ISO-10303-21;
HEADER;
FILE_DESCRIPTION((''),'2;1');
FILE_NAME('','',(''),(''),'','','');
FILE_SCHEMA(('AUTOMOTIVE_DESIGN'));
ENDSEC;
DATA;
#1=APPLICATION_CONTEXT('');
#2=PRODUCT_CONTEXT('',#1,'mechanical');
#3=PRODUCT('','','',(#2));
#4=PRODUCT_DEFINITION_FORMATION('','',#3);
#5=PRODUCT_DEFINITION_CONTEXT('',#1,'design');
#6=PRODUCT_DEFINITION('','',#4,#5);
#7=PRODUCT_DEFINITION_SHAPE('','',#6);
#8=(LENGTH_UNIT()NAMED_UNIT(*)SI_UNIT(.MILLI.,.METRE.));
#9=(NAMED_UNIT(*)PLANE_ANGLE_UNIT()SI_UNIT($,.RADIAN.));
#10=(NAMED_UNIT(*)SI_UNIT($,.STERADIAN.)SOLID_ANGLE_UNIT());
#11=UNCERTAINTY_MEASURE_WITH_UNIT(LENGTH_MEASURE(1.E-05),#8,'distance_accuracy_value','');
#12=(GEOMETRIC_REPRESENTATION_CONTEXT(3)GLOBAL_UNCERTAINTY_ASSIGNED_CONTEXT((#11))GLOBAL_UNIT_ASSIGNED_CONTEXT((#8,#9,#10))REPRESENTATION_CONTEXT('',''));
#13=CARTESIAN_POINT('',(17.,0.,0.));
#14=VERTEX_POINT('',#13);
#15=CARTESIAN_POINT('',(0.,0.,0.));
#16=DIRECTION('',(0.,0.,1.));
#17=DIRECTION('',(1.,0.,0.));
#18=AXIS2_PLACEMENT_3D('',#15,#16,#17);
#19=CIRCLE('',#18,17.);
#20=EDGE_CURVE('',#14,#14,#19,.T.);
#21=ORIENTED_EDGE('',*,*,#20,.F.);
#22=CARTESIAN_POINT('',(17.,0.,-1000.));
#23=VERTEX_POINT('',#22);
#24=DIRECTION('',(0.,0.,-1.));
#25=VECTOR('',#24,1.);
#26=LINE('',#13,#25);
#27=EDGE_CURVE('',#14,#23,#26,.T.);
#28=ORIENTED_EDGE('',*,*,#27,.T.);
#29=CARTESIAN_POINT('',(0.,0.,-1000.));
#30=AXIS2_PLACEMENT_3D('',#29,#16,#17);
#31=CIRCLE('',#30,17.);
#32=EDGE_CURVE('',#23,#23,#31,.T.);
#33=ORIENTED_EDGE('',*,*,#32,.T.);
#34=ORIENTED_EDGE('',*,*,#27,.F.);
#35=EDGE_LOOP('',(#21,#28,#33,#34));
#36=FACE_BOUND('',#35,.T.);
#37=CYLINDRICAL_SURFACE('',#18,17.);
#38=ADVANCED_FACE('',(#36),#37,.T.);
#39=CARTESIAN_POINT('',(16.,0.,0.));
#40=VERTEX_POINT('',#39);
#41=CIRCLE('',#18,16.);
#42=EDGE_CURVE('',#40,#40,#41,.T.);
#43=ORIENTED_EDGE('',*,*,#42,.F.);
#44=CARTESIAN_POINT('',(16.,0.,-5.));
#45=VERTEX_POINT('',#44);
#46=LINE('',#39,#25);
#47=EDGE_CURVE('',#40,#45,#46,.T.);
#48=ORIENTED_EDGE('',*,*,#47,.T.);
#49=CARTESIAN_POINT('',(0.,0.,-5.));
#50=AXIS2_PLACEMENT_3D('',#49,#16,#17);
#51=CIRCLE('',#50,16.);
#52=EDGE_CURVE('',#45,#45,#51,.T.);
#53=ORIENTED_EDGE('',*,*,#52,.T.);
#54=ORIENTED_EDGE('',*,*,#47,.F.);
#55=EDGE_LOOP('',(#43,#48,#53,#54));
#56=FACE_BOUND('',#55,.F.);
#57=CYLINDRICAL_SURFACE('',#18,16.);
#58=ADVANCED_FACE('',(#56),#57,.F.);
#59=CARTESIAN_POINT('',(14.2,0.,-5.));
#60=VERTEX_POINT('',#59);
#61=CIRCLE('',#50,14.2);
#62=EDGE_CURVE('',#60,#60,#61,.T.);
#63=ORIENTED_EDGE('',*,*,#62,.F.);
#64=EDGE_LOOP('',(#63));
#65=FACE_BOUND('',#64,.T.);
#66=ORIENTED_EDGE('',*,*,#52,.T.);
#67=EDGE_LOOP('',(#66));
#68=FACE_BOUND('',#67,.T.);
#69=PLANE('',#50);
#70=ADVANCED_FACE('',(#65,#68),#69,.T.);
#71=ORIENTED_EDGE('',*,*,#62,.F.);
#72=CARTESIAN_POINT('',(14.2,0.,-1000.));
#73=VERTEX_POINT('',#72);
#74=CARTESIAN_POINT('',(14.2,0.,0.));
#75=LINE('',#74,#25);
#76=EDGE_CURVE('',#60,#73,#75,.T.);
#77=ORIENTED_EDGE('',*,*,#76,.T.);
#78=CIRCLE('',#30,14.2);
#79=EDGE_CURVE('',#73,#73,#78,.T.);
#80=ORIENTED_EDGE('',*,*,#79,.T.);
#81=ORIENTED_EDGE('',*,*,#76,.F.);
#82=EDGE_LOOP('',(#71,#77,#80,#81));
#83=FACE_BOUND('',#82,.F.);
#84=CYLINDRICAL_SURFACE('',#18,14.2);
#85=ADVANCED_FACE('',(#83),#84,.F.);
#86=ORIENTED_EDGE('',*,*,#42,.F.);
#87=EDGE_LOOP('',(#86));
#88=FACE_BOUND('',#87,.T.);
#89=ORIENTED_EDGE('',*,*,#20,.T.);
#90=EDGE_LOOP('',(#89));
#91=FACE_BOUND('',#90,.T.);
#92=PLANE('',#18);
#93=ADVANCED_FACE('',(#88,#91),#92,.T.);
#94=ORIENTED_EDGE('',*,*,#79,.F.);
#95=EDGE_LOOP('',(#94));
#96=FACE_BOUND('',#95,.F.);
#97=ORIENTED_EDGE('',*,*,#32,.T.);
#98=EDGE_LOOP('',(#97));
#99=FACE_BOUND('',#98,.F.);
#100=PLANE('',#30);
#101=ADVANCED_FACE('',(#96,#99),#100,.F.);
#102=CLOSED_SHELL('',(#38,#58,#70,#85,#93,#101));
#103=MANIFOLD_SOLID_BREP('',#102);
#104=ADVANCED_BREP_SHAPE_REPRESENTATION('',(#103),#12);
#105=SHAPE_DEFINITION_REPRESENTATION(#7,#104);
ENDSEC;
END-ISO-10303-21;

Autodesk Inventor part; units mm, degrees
ref_plane "YZ Plane" through (0, 0, 0) normal (1, 0, 0) x (0, 1, 0)
ref_plane "XZ Plane" through (0, 0, 0) normal (0, 1, 0) x (-1, 0, 0)
ref_plane "XY Plane" through (0, 0, 0) normal (0, 0, 1) x (1, 0, 0)
sketch "スケッチ1" plane through (0, 0, 0) normal (0, 0, 1) x (1, 0, 0)
  circle A0 centre (0, 0) radius 17
  circle A1 centre (0, 0) radius 14.2
  dimension "d0" = 34
  dimension "d1" = 28.4
extrude "押し出し1" add sketch "スケッチ1" against normal blind 1000
sketch "スケッチ3" plane through (0, 0, 0) normal (0, 0, 1) x (1, 0, 0)
  circle A0 centre (0, 0) radius 16
  dimension "d8" = 32
extrude "押し出し3" cut sketch "スケッチ3" against normal blind 5
equation "\"BendRadius\" = Thickness"
equation "\"BendReliefWidth\" = Thickness"
equation "\"BendReliefDepth\" = 0.5 * Thickness"
equation "\"CornerReliefSize\" = 4 * Thickness"
equation "\"MinimumRemnant\" = 2 * Thickness"
equation "\"TransitionRadius\" = BendRadius"
equation "\"JacobiRadiusSize\" = BendRadius"
equation "\"GapSize\" = Thickness"
equation "\"Thickness\" = 3.048"
properties part number "B_probe_pipe_5_for-non-bellows" material "ステンレス鋼 440C"
